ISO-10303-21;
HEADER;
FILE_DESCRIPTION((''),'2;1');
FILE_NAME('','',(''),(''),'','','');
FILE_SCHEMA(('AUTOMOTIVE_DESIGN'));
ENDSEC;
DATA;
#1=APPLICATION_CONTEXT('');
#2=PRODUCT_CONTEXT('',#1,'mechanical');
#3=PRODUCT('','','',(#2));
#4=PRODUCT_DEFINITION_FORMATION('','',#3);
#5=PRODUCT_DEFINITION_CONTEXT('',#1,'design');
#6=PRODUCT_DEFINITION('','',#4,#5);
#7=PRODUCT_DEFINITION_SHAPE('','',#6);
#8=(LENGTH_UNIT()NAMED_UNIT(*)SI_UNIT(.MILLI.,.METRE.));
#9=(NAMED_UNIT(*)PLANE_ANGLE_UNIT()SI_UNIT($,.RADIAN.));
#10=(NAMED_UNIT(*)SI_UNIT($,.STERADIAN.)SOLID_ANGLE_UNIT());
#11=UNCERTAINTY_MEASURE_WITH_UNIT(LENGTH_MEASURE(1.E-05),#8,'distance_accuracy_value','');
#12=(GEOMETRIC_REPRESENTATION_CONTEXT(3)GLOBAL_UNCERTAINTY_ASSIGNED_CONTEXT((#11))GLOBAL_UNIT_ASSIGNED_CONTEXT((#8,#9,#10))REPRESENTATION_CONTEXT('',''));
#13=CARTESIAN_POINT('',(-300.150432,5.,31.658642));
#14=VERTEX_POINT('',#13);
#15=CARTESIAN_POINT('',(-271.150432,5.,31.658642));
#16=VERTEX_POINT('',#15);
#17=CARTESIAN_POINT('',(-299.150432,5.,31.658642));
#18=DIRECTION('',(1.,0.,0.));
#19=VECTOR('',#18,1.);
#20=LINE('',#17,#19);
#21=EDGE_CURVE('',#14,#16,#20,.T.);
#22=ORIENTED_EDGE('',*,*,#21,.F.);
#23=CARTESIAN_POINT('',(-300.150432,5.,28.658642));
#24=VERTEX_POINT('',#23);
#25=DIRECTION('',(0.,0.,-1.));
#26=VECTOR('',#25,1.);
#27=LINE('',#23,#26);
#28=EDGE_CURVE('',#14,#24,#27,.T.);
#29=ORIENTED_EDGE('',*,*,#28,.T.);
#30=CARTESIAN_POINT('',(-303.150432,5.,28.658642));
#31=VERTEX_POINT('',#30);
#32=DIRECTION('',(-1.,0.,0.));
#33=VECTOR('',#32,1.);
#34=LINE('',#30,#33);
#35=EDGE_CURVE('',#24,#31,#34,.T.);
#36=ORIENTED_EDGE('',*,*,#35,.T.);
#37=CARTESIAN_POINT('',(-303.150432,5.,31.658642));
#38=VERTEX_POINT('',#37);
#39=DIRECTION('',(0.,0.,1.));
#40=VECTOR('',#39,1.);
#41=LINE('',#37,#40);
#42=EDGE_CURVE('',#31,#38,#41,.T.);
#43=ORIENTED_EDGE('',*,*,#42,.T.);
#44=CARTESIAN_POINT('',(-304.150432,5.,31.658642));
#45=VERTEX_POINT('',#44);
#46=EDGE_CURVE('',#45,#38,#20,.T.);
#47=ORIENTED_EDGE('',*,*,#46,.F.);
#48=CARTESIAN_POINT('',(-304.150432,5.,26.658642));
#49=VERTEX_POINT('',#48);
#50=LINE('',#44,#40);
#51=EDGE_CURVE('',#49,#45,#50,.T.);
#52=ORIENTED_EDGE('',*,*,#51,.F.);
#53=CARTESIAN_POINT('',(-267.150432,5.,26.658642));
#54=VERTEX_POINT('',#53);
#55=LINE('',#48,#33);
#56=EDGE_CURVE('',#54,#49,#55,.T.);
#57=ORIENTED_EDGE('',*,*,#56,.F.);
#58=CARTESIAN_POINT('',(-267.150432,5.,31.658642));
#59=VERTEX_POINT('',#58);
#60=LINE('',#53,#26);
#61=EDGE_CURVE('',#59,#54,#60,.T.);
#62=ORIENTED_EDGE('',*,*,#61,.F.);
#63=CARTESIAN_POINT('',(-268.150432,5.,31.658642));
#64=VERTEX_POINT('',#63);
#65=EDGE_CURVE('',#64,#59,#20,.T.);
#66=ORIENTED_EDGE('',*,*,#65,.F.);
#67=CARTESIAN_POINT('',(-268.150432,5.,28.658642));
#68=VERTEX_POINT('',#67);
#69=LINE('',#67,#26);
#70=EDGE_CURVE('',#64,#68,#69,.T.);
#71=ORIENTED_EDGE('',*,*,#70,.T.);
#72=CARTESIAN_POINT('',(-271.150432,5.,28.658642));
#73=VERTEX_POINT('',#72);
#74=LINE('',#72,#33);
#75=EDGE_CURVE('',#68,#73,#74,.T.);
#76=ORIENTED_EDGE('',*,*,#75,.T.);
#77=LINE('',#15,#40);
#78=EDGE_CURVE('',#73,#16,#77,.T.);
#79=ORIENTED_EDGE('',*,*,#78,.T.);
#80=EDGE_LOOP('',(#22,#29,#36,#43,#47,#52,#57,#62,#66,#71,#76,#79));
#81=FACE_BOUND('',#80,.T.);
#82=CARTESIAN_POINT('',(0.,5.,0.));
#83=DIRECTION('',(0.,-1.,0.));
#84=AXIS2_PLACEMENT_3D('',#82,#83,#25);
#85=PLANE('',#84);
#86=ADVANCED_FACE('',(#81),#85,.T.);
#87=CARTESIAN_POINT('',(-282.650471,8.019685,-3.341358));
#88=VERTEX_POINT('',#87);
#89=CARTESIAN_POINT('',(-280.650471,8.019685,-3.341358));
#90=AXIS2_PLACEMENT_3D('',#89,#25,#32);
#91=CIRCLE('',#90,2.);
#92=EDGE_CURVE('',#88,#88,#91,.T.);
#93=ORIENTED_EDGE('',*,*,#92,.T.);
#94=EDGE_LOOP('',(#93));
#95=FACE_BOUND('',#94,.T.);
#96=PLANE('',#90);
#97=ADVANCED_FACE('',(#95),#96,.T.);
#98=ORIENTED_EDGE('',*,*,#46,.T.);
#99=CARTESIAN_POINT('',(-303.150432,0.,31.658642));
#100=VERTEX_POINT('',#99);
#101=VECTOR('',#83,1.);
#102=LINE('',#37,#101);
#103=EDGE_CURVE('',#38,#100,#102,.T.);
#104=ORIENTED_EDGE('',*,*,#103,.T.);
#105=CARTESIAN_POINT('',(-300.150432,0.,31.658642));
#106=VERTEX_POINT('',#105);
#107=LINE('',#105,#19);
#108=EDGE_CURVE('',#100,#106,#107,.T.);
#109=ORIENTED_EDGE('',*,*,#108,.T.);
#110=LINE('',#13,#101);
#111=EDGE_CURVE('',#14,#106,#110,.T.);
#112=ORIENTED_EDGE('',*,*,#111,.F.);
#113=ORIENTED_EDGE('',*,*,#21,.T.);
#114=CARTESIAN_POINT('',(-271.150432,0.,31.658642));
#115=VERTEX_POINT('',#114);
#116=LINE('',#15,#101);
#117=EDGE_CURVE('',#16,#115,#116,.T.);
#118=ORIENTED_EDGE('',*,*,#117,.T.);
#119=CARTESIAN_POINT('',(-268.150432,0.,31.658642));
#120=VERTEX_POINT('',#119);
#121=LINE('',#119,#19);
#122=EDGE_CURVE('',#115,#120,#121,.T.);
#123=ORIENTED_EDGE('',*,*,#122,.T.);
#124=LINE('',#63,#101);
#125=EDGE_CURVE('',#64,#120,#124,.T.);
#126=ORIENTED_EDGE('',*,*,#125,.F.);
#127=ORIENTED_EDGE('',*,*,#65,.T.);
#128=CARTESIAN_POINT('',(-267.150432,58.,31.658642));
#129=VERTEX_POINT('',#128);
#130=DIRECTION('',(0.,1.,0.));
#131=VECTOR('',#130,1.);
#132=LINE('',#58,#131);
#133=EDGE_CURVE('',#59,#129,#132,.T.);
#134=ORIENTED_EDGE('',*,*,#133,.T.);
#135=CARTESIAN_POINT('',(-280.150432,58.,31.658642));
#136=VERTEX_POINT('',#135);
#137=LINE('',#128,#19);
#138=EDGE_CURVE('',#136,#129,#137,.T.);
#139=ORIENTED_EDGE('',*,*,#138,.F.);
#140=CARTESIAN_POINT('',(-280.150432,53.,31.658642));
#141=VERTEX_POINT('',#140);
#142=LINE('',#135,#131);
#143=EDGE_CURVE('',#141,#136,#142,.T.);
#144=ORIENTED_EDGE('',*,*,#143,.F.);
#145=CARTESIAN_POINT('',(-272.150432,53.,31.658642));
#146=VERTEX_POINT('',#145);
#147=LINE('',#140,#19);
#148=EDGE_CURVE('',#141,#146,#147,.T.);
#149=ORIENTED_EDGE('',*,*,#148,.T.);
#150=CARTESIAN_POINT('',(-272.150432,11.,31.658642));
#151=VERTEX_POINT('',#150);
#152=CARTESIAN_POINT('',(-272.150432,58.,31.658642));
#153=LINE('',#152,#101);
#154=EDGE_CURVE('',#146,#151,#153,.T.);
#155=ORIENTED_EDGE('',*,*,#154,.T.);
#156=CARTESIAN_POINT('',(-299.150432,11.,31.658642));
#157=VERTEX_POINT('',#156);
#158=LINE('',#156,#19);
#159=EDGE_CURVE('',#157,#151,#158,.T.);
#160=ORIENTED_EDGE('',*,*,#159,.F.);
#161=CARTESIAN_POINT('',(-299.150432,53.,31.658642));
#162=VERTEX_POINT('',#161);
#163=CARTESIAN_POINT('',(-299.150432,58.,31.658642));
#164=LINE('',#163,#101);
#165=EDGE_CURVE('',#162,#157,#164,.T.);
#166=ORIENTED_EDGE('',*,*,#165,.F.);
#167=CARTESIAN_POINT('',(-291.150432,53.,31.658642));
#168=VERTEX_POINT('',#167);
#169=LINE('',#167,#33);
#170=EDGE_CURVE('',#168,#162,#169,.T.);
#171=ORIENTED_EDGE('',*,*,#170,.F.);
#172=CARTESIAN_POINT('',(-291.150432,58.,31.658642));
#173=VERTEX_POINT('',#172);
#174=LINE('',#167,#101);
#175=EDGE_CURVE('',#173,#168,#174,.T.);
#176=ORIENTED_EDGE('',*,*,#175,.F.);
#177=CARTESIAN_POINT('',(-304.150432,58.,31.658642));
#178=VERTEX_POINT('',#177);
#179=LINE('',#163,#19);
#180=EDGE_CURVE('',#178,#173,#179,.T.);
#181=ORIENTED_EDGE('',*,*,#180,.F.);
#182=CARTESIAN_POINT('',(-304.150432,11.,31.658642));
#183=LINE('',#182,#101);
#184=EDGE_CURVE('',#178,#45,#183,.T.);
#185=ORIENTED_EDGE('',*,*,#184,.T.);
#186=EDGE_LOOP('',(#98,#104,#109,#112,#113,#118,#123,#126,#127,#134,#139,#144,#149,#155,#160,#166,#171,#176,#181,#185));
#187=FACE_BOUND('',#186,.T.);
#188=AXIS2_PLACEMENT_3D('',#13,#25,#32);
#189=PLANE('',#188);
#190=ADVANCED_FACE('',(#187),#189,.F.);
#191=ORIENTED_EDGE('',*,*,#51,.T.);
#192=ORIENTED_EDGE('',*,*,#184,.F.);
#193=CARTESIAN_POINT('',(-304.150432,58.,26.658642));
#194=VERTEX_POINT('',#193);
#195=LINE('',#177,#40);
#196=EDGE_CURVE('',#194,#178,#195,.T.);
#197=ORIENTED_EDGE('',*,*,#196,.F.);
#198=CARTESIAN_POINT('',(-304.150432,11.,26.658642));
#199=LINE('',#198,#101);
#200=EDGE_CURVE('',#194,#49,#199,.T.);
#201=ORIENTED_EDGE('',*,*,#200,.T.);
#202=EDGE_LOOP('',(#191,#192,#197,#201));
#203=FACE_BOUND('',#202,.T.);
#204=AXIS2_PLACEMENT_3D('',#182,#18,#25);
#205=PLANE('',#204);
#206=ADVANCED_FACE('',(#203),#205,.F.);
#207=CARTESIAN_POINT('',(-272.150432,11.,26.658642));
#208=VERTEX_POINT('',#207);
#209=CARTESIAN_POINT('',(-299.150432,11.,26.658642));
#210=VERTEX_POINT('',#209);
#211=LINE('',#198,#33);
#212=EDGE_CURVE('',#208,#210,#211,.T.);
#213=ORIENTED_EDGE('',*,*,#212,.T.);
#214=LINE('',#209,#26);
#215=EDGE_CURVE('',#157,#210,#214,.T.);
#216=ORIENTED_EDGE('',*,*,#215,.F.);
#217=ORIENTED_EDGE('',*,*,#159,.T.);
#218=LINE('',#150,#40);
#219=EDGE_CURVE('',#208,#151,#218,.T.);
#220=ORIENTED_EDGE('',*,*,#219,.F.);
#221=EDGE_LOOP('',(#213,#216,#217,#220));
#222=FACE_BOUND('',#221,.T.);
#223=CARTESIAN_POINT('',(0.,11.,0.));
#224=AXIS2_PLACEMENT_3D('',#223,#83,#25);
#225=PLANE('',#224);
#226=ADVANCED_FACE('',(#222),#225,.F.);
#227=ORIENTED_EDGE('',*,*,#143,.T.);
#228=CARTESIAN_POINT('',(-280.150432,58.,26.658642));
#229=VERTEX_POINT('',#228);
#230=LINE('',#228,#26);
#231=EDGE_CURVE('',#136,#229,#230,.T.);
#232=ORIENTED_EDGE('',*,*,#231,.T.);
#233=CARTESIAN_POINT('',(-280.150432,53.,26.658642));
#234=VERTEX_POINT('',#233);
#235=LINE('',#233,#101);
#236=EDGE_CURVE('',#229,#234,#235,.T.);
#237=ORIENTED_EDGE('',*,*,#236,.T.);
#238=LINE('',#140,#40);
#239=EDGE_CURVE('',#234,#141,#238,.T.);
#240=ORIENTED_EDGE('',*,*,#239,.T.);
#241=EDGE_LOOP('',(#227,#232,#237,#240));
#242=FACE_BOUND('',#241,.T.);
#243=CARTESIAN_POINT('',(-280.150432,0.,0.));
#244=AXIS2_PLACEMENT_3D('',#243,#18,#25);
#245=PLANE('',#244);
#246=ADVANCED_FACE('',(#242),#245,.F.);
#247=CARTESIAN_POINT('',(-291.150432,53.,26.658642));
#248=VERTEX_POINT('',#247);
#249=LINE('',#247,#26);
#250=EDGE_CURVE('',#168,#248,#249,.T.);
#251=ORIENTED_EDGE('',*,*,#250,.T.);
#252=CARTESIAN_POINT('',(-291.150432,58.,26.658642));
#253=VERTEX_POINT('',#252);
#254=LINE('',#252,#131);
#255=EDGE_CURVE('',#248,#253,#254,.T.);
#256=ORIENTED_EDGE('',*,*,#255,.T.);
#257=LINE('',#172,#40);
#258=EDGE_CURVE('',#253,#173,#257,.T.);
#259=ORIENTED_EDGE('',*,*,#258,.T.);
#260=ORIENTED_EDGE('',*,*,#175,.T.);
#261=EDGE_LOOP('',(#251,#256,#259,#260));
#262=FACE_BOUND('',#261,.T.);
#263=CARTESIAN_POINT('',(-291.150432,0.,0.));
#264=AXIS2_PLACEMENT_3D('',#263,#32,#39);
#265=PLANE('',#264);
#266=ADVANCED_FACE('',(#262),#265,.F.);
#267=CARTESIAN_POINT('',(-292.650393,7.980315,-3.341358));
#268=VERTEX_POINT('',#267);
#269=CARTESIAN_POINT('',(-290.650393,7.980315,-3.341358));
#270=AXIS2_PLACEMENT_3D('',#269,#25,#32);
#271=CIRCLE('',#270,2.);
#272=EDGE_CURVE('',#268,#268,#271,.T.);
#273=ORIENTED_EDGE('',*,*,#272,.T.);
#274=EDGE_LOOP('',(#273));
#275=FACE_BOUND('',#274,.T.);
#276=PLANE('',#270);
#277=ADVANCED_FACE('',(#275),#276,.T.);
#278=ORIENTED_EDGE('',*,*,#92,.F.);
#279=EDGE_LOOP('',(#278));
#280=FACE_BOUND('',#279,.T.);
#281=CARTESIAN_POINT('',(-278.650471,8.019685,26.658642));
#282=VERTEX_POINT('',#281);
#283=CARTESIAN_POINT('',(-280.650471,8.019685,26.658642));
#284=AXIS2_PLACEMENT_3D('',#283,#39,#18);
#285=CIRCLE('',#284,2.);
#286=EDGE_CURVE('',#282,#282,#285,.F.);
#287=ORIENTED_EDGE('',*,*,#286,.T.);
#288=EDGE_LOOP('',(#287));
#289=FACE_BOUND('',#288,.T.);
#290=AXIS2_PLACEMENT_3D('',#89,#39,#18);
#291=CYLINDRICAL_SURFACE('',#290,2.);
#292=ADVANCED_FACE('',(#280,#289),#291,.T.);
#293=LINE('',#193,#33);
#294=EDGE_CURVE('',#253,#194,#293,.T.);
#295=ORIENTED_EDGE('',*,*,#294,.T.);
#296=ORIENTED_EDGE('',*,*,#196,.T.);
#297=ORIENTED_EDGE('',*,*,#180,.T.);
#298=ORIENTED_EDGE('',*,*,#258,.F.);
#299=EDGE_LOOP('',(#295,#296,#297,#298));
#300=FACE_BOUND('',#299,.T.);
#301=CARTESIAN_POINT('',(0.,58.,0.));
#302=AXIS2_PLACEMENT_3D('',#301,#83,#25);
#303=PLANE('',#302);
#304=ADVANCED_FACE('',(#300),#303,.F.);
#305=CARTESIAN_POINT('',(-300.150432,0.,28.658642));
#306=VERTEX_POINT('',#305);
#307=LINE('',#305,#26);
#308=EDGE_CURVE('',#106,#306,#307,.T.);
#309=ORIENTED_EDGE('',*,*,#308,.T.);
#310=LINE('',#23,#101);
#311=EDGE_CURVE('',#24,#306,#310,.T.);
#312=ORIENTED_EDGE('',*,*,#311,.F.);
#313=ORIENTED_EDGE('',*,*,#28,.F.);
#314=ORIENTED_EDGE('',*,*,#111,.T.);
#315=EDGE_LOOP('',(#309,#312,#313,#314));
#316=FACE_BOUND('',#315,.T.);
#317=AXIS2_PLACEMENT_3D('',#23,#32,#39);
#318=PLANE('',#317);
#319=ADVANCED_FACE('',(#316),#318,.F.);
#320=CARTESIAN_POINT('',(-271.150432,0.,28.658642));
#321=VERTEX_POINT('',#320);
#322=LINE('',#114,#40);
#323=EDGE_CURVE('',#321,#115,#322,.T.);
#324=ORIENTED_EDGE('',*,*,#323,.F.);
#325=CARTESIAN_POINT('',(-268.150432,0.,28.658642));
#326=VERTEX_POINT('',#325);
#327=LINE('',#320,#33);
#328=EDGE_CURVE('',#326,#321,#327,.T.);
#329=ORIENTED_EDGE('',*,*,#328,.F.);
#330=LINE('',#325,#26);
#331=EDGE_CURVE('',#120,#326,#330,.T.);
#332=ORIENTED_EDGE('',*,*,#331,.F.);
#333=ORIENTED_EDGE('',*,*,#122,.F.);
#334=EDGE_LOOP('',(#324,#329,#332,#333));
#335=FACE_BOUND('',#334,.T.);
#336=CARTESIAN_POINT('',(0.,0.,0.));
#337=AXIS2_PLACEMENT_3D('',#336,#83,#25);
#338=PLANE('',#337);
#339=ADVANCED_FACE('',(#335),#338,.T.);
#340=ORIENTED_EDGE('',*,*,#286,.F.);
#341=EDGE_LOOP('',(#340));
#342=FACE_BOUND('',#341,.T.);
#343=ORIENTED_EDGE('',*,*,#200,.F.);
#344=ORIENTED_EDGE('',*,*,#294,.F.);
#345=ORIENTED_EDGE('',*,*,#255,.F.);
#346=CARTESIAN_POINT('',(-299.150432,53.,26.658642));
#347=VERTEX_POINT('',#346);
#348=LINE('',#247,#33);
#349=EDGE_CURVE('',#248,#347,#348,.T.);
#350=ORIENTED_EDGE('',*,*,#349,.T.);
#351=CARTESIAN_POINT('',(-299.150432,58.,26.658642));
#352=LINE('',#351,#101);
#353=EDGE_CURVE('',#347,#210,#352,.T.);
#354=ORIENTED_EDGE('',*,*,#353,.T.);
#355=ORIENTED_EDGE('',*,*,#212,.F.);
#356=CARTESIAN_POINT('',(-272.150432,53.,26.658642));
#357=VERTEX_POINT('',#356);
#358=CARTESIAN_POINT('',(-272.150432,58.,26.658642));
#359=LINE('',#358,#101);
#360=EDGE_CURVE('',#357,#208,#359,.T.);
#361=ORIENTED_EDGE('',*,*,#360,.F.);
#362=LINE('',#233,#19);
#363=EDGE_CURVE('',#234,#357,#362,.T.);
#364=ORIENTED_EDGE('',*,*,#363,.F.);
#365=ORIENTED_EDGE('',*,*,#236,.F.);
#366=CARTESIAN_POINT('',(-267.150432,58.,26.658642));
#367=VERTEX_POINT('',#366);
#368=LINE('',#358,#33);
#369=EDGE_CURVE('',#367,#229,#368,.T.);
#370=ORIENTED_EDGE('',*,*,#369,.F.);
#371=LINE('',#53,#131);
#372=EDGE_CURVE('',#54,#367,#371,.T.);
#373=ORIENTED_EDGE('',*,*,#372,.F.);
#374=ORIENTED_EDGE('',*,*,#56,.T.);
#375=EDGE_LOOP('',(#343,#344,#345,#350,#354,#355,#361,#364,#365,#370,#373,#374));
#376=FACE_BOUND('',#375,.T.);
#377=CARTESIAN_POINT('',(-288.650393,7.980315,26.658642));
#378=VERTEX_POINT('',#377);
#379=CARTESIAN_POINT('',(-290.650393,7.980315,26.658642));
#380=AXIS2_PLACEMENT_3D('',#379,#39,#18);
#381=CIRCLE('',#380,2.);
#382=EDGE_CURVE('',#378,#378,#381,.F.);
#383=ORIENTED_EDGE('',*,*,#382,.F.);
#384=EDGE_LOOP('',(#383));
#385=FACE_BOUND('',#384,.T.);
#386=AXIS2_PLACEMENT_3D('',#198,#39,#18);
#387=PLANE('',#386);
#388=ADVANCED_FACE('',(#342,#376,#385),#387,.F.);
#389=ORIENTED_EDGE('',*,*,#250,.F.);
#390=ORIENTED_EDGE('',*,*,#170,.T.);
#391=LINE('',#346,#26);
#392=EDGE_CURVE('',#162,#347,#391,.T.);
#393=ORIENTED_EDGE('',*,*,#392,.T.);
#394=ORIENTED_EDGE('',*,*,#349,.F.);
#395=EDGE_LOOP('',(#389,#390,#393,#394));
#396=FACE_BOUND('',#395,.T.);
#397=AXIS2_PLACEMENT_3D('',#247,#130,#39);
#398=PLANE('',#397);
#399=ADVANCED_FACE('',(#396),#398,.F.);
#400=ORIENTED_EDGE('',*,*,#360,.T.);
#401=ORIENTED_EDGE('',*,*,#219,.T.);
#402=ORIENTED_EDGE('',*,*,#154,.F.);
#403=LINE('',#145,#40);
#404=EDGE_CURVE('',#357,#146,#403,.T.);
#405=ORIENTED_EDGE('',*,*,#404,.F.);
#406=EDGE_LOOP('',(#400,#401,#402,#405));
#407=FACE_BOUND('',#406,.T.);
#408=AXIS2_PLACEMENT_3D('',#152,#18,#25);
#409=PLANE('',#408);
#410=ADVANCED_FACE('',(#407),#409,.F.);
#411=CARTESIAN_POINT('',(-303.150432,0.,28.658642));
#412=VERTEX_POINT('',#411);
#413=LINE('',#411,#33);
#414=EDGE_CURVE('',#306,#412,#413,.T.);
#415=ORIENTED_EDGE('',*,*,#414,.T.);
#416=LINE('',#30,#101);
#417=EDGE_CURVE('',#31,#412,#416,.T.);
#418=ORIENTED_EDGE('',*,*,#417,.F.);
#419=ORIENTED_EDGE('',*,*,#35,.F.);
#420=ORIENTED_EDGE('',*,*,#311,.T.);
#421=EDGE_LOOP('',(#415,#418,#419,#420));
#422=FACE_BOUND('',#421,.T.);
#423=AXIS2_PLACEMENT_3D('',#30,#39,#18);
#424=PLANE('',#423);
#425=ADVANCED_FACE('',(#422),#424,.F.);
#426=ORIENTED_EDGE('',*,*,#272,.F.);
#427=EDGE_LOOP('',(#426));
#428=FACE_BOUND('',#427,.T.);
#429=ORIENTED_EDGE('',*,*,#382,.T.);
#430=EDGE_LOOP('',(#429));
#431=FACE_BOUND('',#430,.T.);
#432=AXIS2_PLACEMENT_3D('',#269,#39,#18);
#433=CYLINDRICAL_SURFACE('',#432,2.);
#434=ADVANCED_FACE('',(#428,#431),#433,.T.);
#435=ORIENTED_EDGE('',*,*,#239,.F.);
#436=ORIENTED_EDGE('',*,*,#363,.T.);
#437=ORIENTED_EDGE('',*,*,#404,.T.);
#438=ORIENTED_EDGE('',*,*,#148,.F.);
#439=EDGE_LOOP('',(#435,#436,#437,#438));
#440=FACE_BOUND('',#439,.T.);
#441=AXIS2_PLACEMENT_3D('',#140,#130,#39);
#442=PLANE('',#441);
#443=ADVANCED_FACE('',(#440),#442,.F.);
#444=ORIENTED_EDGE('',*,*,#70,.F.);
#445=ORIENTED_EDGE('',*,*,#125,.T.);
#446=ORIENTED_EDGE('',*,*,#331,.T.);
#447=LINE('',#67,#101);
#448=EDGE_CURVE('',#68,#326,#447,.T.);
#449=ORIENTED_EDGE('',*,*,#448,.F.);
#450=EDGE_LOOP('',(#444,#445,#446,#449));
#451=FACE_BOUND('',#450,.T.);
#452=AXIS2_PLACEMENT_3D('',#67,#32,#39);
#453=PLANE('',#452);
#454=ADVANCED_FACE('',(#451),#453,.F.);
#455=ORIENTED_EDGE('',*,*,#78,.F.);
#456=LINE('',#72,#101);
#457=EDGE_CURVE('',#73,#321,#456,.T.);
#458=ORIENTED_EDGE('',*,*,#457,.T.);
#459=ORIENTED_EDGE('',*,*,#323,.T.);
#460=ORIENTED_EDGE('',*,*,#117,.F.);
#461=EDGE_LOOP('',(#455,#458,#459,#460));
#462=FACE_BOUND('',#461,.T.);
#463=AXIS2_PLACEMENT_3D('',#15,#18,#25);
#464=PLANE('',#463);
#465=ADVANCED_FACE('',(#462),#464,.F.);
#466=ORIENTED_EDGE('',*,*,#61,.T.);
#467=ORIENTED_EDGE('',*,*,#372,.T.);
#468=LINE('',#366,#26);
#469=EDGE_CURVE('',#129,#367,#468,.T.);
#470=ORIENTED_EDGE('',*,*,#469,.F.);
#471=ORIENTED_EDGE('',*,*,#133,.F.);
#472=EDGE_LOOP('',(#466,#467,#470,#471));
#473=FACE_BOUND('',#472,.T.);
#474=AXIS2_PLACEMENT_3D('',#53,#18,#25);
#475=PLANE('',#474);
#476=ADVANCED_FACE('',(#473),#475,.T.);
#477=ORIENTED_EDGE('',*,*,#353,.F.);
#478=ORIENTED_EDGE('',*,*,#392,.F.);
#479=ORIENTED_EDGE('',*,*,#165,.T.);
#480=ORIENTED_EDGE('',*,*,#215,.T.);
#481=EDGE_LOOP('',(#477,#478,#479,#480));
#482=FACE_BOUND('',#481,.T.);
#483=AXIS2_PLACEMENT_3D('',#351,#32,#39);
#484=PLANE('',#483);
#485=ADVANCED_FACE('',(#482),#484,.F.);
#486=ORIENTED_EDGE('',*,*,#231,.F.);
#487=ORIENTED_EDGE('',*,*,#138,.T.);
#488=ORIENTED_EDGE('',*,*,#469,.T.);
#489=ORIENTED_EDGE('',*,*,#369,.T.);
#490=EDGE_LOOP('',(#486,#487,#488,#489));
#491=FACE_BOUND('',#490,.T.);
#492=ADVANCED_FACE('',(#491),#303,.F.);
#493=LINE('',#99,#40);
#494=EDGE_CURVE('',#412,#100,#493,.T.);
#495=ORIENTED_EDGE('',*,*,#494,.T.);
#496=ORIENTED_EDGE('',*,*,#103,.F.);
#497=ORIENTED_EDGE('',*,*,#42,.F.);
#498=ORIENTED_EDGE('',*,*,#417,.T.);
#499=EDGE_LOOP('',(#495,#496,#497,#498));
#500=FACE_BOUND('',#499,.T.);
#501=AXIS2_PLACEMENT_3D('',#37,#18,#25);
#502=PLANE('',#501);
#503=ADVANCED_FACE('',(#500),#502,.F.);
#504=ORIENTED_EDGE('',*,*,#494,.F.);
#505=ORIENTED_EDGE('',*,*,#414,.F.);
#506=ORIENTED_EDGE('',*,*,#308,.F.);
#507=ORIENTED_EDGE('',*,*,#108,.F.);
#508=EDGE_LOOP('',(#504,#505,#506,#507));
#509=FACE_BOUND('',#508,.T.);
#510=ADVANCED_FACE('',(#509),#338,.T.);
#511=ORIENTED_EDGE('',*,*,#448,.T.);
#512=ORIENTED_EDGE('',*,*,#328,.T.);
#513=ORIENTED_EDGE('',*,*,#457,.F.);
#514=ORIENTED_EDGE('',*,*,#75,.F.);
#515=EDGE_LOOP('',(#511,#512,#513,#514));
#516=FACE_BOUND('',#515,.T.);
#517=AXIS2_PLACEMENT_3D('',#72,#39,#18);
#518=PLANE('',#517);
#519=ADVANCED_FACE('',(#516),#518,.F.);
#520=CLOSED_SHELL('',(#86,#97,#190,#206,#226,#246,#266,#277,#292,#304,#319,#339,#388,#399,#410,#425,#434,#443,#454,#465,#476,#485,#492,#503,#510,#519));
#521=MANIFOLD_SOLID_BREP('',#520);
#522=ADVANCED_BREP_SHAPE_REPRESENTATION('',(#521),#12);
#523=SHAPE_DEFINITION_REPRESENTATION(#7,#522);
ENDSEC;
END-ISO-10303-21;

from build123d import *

# Parameters (mm, degrees)
SKETCH_1_W        = 3
SKETCH_1_H        = 3
EXTRUDE_1_DEPTH   = 5
EXTRUDE_1_2_DEPTH = 5
SKETCH_2_W        = 5
SKETCH_2_H        = 5
EXTRUDE_2_DEPTH   = 6
SKETCH_4_W        = 37
SKETCH_4_H        = 5
EXTRUDE_3_DEPTH   = 6
SKETCH_5_R        = 2
EXTRUDE_4_DEPTH   = 30
SKETCH_6_W        = 5
SKETCH_6_H        = 5
EXTRUDE_5_DEPTH   = 47
SKETCH_7_W        = 5
SKETCH_7_H        = 5
EXTRUDE_6_DEPTH   = 8
SKETCH_8_W        = 5
SKETCH_8_H        = 5
EXTRUDE_7_DEPTH   = 8


with BuildPart() as part:
    # 草图1 → 凸台-拉伸1 (new body)
    with BuildSketch(Plane(origin=(0, 0, 0), x_dir=(1, 0, 0), z_dir=(0, 1, 0))):
        with Locations((-301.650432081, -30.158642095)):
            Rectangle(SKETCH_1_W, SKETCH_1_H)
    extrude(amount=EXTRUDE_1_DEPTH)



with BuildPart() as body_2:
    # 草图1 → Extrude 1 2 (new body)
    with BuildSketch(Plane(origin=(0, 0, 0), x_dir=(1, 0, 0), z_dir=(0, 1, 0))):
        with Locations((-269.650432081, -30.158642095)):
            Rectangle(SKETCH_1_W, SKETCH_1_H)
    extrude(amount=EXTRUDE_1_2_DEPTH)


with BuildPart() as part_1:
    add(part.part)

    add(body_2.part)  # 凸台-拉伸2 merges body 2
    # 草图2 → 凸台-拉伸2 (add)
    with BuildSketch(Plane(origin=(0, 5, 0), x_dir=(1, 0, 0), z_dir=(0, 1, 0))):
        with Locations((-301.650432081, -29.158642095)):
            Rectangle(SKETCH_2_W, SKETCH_2_H)
        with Locations((-269.650432081, -29.158642095)):
            Rectangle(SKETCH_2_W, SKETCH_2_H)
    extrude(amount=EXTRUDE_2_DEPTH)

    # 草图4 → 凸台-拉伸3 (add)
    with BuildSketch(Plane(origin=(0, 11, 0), x_dir=(1, 0, 0), z_dir=(0, 1, 0))):
        with Locations((-285.650432081, -29.158642095)):
            Rectangle(SKETCH_4_W, SKETCH_4_H)
    extrude(amount=-EXTRUDE_3_DEPTH)

    # 草图5 → 凸台-拉伸4 (add)
    with BuildSketch(Plane(origin=(0, 0, 26.658642095), x_dir=(-1, 0, 0), z_dir=(0, 0, -1))):
        with Locations(Location((280.65047083, 8.019684887, 0), (0, 0, 180))):
            Circle(SKETCH_5_R)
        with Locations(Location((290.650393331, 7.980315113, 0), (0, 0, 180))):
            Circle(SKETCH_5_R)
    extrude(amount=EXTRUDE_4_DEPTH)

    # 草图6 → 凸台-拉伸5 (add)
    with BuildSketch(Plane(origin=(0, 11, 0), x_dir=(1, 0, 0), z_dir=(0, 1, 0))):
        with Locations((-269.650432081, -29.158642095)):
            Rectangle(SKETCH_6_W, SKETCH_6_H)
        with Locations((-301.650432081, -29.158642095)):
            Rectangle(SKETCH_6_W, SKETCH_6_H)
    extrude(amount=EXTRUDE_5_DEPTH)

    # 草图7 → 凸台-拉伸6 (add)
    with BuildSketch(Plane(origin=(-299.150432081, 0, 0), x_dir=(0, 0, -1), z_dir=(1, 0, 0))):
        with Locations((-29.158642095, 55.5)):
            Rectangle(SKETCH_7_W, SKETCH_7_H)
    extrude(amount=EXTRUDE_6_DEPTH)

    # 草图8 → 凸台-拉伸7 (add)
    with BuildSketch(Plane.ZY.offset(272.150432081)):
        with Locations((29.158642095, 55.5)):
            Rectangle(SKETCH_8_W, SKETCH_8_H)
    extrude(amount=EXTRUDE_7_DEPTH)


solid = part_1.part
